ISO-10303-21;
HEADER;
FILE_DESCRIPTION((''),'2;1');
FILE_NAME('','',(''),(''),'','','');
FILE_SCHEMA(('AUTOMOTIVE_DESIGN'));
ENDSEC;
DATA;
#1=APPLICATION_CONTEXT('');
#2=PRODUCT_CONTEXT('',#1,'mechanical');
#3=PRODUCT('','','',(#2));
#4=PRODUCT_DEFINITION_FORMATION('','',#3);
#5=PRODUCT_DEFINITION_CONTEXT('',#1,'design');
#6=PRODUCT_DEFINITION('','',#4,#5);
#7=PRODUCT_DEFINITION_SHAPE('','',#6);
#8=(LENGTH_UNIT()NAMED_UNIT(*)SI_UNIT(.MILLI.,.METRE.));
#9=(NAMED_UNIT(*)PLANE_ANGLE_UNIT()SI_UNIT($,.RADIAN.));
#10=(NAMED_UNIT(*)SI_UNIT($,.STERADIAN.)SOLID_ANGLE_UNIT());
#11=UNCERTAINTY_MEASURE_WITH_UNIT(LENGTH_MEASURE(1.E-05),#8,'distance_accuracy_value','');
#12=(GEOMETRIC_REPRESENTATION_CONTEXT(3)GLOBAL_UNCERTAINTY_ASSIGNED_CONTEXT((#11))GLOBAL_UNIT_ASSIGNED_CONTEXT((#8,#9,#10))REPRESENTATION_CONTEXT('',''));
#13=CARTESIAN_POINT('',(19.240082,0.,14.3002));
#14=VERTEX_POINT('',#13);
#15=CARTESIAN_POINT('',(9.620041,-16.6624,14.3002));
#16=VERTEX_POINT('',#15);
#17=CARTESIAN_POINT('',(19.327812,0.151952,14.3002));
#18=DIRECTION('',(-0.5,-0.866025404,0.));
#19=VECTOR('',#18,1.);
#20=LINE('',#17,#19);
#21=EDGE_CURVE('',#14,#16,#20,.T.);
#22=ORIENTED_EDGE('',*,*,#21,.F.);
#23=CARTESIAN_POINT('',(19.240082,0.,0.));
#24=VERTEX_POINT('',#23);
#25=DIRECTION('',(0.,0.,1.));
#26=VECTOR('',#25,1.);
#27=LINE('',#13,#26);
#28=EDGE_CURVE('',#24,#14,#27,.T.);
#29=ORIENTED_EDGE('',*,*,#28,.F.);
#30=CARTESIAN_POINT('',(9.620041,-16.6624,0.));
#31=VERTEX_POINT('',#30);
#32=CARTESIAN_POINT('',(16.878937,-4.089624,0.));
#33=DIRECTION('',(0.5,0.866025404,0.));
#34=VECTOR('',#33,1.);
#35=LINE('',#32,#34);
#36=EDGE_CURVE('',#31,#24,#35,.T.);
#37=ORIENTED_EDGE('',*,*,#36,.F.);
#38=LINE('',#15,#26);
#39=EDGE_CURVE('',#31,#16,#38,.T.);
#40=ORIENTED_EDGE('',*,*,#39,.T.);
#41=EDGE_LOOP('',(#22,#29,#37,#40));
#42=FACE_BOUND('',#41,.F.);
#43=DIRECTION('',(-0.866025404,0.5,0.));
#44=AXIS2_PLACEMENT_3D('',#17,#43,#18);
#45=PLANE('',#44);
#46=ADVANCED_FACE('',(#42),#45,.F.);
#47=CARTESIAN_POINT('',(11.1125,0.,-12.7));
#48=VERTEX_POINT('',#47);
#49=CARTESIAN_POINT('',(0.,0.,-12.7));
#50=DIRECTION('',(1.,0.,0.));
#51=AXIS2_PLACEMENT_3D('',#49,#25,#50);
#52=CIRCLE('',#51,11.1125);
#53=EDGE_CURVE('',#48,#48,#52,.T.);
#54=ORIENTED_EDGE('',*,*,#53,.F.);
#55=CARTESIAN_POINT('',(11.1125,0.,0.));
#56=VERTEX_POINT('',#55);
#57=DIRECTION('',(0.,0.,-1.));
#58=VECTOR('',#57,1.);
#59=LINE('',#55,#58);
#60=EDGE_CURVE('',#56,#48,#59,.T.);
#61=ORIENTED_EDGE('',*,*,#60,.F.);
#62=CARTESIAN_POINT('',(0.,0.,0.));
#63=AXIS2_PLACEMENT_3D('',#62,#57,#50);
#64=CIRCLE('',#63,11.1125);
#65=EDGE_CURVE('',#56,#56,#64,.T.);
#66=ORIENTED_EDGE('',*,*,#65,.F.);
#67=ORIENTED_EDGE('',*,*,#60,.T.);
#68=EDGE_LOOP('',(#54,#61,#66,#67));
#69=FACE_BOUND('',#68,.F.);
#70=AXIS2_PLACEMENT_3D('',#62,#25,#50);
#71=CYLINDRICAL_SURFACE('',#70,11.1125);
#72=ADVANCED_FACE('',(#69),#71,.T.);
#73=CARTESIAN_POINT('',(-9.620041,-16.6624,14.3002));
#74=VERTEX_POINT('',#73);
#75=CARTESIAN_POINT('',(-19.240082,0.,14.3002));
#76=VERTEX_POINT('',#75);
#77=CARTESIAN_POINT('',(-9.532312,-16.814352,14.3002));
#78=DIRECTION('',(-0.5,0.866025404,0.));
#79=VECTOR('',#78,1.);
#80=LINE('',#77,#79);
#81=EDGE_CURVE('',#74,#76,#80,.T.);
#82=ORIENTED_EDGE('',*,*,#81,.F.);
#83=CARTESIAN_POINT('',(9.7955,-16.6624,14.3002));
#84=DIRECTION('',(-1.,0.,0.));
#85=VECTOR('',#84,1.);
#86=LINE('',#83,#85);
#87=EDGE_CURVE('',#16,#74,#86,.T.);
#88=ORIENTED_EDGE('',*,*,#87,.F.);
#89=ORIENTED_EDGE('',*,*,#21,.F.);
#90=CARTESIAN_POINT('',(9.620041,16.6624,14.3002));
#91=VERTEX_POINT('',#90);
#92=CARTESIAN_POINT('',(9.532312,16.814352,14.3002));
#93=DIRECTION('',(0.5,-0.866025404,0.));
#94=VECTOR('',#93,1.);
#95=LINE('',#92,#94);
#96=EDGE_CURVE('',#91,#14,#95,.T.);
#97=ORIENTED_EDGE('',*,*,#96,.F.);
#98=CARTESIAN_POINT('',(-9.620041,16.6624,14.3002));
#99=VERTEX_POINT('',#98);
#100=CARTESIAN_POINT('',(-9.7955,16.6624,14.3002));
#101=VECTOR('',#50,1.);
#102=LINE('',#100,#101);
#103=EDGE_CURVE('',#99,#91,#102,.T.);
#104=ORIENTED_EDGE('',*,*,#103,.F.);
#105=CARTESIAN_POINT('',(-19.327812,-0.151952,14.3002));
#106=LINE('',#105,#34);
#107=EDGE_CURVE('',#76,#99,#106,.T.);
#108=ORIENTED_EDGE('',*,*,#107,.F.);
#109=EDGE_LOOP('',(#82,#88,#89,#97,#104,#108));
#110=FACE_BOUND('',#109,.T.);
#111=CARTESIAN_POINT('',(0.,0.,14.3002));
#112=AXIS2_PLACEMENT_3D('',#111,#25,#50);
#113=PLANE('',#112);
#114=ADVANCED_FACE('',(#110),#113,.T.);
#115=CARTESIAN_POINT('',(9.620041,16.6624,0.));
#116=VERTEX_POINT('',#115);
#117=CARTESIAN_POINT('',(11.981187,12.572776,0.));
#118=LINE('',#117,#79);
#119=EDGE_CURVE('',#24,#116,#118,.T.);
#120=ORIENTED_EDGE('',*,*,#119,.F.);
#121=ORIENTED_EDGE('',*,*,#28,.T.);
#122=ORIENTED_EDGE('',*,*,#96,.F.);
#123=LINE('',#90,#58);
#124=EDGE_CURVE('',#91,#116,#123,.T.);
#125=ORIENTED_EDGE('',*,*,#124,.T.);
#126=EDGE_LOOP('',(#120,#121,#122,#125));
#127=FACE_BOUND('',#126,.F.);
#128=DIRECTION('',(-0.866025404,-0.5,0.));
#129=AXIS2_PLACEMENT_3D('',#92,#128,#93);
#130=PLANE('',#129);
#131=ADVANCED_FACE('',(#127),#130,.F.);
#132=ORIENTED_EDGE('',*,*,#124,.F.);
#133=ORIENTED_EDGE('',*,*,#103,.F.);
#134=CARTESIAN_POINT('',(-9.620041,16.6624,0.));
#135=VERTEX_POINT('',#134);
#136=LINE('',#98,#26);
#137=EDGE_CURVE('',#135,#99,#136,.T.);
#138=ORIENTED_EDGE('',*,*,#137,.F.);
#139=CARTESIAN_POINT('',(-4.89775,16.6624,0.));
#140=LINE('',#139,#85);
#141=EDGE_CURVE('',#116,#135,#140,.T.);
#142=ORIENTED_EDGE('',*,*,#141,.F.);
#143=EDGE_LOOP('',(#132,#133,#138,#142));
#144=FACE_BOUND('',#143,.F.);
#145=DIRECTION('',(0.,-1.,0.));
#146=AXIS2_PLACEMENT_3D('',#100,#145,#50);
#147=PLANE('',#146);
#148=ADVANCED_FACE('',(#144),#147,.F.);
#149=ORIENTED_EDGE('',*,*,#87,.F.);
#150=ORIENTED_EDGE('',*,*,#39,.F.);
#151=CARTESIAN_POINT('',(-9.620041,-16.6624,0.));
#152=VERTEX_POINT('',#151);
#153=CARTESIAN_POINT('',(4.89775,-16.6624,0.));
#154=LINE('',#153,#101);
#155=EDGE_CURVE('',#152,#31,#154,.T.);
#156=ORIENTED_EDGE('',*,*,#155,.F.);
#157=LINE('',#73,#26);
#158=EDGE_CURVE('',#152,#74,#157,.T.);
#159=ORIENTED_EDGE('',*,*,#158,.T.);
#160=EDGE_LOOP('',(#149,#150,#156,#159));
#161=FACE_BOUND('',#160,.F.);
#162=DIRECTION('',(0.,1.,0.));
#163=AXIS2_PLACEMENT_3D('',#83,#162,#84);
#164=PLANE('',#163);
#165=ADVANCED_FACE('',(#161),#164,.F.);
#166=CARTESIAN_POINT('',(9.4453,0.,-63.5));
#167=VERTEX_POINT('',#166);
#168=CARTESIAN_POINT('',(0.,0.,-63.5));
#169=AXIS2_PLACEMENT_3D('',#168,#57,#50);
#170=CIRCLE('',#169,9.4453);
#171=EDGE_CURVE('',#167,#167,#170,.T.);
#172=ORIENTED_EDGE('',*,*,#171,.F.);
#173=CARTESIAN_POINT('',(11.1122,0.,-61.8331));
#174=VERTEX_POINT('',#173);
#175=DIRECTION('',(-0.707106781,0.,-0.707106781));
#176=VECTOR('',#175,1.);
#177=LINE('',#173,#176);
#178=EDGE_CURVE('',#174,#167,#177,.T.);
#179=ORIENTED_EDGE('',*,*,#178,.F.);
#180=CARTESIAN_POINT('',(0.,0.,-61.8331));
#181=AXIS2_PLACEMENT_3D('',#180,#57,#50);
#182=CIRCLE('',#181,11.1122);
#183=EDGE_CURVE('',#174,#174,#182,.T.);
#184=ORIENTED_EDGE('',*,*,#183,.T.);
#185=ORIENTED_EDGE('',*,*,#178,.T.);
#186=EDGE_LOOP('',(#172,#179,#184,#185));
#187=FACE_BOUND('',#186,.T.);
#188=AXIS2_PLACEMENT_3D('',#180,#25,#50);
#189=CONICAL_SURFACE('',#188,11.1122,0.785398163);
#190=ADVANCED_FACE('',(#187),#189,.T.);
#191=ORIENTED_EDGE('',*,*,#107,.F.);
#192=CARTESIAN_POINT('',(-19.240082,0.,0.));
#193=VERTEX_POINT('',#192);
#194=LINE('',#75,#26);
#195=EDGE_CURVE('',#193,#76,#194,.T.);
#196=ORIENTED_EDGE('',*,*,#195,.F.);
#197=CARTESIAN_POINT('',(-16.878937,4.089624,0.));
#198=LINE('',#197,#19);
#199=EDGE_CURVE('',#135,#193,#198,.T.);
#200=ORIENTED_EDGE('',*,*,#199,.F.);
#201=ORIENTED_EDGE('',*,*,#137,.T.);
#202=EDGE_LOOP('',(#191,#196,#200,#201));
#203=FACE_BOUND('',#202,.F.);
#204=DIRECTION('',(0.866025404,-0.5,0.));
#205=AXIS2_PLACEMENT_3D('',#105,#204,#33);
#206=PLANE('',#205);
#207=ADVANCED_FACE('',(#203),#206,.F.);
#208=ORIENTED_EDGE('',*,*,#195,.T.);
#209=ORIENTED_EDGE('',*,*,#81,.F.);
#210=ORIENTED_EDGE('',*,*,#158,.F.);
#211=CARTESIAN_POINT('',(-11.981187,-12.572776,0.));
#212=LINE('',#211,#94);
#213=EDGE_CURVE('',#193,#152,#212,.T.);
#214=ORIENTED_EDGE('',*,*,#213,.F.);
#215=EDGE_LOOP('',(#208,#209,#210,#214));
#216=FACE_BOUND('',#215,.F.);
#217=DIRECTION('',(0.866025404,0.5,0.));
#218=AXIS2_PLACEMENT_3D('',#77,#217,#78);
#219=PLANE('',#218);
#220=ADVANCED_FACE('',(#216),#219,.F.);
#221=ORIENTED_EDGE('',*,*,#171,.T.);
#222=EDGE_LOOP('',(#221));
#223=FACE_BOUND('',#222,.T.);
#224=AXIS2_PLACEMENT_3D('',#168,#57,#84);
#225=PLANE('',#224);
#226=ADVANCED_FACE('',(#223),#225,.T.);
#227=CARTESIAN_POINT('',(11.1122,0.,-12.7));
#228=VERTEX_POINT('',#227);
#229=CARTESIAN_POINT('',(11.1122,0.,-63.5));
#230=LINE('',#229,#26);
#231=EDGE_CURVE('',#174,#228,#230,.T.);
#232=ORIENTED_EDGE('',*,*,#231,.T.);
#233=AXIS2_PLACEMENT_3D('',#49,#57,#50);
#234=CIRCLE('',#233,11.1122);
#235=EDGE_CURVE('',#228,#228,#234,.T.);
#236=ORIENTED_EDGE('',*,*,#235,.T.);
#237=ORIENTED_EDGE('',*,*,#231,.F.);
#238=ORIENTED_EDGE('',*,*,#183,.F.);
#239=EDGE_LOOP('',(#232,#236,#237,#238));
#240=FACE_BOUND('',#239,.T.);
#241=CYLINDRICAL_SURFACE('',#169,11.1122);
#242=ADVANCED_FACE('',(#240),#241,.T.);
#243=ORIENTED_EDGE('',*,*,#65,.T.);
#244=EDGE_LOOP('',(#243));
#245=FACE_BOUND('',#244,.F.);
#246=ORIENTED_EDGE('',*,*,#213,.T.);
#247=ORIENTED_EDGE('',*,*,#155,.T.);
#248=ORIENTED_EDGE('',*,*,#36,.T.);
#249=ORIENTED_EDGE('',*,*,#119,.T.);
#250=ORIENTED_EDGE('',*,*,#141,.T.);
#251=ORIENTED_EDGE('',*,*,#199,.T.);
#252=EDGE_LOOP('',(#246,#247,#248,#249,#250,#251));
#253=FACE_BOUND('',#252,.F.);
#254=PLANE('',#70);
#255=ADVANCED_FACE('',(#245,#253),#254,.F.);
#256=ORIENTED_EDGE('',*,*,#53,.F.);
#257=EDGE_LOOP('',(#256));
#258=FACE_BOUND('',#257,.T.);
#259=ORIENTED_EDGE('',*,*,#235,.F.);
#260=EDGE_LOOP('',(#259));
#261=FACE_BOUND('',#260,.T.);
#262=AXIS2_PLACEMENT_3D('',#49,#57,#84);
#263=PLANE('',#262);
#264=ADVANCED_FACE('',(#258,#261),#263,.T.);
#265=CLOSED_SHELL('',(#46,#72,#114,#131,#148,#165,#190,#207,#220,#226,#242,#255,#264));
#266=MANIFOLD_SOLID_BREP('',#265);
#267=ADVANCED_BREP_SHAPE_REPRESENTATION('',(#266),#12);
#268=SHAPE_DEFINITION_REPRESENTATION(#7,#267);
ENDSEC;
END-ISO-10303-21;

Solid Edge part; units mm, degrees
sketch "Sketch1" plane through (0, 0, 0) normal (0, 0, 1) x (1, 0, 0)
  circle A0 centre (0, 0) radius 19.3284
  dimension "D1" = 38.6568
extrude "Protrusion1" add sketch "Sketch1" along normal blind 14.3002
sketch "Sketch2" plane through (0, 0, 0) normal (0, 0, -1) x (1, 0, 0)
  circle A0 centre (0, 0) radius 11.1125
extrude "Protrusion2" add sketch "Sketch2" along normal blind 63.5
sketch "Sketch3" plane through (0, 0, -63.5) normal (0, 0, -1) x (1, 0, 0)
  circle A0 centre (0, 0) radius 11.1122
extrude "Cutout1" cut sketch "Sketch3" against normal blind 50.8 flip side to cut
chamfer "Chamfer_1" distance 1.6669 angle 45 1 edges at (-11.1122, 0, -63.5)
sketch "Sketch4" plane through (0, 0, 14.3002) normal (0, 0, 1) x (1, 0, 0)
  line L0 (-9.7955, 16.6624) -> (9.7955, 16.6624)
  dimension "D1" = 33.3248
extrude "Cutout2" cut sketch "Sketch4" against normal up to next material side at (0, 16.7124, 14.3002)
pattern_circular "Pattern1" count 6 over 360 about axis through (0, 0, 14.3002) along (0, 0, 1) of "Cutout2"
properties part number "105990"
